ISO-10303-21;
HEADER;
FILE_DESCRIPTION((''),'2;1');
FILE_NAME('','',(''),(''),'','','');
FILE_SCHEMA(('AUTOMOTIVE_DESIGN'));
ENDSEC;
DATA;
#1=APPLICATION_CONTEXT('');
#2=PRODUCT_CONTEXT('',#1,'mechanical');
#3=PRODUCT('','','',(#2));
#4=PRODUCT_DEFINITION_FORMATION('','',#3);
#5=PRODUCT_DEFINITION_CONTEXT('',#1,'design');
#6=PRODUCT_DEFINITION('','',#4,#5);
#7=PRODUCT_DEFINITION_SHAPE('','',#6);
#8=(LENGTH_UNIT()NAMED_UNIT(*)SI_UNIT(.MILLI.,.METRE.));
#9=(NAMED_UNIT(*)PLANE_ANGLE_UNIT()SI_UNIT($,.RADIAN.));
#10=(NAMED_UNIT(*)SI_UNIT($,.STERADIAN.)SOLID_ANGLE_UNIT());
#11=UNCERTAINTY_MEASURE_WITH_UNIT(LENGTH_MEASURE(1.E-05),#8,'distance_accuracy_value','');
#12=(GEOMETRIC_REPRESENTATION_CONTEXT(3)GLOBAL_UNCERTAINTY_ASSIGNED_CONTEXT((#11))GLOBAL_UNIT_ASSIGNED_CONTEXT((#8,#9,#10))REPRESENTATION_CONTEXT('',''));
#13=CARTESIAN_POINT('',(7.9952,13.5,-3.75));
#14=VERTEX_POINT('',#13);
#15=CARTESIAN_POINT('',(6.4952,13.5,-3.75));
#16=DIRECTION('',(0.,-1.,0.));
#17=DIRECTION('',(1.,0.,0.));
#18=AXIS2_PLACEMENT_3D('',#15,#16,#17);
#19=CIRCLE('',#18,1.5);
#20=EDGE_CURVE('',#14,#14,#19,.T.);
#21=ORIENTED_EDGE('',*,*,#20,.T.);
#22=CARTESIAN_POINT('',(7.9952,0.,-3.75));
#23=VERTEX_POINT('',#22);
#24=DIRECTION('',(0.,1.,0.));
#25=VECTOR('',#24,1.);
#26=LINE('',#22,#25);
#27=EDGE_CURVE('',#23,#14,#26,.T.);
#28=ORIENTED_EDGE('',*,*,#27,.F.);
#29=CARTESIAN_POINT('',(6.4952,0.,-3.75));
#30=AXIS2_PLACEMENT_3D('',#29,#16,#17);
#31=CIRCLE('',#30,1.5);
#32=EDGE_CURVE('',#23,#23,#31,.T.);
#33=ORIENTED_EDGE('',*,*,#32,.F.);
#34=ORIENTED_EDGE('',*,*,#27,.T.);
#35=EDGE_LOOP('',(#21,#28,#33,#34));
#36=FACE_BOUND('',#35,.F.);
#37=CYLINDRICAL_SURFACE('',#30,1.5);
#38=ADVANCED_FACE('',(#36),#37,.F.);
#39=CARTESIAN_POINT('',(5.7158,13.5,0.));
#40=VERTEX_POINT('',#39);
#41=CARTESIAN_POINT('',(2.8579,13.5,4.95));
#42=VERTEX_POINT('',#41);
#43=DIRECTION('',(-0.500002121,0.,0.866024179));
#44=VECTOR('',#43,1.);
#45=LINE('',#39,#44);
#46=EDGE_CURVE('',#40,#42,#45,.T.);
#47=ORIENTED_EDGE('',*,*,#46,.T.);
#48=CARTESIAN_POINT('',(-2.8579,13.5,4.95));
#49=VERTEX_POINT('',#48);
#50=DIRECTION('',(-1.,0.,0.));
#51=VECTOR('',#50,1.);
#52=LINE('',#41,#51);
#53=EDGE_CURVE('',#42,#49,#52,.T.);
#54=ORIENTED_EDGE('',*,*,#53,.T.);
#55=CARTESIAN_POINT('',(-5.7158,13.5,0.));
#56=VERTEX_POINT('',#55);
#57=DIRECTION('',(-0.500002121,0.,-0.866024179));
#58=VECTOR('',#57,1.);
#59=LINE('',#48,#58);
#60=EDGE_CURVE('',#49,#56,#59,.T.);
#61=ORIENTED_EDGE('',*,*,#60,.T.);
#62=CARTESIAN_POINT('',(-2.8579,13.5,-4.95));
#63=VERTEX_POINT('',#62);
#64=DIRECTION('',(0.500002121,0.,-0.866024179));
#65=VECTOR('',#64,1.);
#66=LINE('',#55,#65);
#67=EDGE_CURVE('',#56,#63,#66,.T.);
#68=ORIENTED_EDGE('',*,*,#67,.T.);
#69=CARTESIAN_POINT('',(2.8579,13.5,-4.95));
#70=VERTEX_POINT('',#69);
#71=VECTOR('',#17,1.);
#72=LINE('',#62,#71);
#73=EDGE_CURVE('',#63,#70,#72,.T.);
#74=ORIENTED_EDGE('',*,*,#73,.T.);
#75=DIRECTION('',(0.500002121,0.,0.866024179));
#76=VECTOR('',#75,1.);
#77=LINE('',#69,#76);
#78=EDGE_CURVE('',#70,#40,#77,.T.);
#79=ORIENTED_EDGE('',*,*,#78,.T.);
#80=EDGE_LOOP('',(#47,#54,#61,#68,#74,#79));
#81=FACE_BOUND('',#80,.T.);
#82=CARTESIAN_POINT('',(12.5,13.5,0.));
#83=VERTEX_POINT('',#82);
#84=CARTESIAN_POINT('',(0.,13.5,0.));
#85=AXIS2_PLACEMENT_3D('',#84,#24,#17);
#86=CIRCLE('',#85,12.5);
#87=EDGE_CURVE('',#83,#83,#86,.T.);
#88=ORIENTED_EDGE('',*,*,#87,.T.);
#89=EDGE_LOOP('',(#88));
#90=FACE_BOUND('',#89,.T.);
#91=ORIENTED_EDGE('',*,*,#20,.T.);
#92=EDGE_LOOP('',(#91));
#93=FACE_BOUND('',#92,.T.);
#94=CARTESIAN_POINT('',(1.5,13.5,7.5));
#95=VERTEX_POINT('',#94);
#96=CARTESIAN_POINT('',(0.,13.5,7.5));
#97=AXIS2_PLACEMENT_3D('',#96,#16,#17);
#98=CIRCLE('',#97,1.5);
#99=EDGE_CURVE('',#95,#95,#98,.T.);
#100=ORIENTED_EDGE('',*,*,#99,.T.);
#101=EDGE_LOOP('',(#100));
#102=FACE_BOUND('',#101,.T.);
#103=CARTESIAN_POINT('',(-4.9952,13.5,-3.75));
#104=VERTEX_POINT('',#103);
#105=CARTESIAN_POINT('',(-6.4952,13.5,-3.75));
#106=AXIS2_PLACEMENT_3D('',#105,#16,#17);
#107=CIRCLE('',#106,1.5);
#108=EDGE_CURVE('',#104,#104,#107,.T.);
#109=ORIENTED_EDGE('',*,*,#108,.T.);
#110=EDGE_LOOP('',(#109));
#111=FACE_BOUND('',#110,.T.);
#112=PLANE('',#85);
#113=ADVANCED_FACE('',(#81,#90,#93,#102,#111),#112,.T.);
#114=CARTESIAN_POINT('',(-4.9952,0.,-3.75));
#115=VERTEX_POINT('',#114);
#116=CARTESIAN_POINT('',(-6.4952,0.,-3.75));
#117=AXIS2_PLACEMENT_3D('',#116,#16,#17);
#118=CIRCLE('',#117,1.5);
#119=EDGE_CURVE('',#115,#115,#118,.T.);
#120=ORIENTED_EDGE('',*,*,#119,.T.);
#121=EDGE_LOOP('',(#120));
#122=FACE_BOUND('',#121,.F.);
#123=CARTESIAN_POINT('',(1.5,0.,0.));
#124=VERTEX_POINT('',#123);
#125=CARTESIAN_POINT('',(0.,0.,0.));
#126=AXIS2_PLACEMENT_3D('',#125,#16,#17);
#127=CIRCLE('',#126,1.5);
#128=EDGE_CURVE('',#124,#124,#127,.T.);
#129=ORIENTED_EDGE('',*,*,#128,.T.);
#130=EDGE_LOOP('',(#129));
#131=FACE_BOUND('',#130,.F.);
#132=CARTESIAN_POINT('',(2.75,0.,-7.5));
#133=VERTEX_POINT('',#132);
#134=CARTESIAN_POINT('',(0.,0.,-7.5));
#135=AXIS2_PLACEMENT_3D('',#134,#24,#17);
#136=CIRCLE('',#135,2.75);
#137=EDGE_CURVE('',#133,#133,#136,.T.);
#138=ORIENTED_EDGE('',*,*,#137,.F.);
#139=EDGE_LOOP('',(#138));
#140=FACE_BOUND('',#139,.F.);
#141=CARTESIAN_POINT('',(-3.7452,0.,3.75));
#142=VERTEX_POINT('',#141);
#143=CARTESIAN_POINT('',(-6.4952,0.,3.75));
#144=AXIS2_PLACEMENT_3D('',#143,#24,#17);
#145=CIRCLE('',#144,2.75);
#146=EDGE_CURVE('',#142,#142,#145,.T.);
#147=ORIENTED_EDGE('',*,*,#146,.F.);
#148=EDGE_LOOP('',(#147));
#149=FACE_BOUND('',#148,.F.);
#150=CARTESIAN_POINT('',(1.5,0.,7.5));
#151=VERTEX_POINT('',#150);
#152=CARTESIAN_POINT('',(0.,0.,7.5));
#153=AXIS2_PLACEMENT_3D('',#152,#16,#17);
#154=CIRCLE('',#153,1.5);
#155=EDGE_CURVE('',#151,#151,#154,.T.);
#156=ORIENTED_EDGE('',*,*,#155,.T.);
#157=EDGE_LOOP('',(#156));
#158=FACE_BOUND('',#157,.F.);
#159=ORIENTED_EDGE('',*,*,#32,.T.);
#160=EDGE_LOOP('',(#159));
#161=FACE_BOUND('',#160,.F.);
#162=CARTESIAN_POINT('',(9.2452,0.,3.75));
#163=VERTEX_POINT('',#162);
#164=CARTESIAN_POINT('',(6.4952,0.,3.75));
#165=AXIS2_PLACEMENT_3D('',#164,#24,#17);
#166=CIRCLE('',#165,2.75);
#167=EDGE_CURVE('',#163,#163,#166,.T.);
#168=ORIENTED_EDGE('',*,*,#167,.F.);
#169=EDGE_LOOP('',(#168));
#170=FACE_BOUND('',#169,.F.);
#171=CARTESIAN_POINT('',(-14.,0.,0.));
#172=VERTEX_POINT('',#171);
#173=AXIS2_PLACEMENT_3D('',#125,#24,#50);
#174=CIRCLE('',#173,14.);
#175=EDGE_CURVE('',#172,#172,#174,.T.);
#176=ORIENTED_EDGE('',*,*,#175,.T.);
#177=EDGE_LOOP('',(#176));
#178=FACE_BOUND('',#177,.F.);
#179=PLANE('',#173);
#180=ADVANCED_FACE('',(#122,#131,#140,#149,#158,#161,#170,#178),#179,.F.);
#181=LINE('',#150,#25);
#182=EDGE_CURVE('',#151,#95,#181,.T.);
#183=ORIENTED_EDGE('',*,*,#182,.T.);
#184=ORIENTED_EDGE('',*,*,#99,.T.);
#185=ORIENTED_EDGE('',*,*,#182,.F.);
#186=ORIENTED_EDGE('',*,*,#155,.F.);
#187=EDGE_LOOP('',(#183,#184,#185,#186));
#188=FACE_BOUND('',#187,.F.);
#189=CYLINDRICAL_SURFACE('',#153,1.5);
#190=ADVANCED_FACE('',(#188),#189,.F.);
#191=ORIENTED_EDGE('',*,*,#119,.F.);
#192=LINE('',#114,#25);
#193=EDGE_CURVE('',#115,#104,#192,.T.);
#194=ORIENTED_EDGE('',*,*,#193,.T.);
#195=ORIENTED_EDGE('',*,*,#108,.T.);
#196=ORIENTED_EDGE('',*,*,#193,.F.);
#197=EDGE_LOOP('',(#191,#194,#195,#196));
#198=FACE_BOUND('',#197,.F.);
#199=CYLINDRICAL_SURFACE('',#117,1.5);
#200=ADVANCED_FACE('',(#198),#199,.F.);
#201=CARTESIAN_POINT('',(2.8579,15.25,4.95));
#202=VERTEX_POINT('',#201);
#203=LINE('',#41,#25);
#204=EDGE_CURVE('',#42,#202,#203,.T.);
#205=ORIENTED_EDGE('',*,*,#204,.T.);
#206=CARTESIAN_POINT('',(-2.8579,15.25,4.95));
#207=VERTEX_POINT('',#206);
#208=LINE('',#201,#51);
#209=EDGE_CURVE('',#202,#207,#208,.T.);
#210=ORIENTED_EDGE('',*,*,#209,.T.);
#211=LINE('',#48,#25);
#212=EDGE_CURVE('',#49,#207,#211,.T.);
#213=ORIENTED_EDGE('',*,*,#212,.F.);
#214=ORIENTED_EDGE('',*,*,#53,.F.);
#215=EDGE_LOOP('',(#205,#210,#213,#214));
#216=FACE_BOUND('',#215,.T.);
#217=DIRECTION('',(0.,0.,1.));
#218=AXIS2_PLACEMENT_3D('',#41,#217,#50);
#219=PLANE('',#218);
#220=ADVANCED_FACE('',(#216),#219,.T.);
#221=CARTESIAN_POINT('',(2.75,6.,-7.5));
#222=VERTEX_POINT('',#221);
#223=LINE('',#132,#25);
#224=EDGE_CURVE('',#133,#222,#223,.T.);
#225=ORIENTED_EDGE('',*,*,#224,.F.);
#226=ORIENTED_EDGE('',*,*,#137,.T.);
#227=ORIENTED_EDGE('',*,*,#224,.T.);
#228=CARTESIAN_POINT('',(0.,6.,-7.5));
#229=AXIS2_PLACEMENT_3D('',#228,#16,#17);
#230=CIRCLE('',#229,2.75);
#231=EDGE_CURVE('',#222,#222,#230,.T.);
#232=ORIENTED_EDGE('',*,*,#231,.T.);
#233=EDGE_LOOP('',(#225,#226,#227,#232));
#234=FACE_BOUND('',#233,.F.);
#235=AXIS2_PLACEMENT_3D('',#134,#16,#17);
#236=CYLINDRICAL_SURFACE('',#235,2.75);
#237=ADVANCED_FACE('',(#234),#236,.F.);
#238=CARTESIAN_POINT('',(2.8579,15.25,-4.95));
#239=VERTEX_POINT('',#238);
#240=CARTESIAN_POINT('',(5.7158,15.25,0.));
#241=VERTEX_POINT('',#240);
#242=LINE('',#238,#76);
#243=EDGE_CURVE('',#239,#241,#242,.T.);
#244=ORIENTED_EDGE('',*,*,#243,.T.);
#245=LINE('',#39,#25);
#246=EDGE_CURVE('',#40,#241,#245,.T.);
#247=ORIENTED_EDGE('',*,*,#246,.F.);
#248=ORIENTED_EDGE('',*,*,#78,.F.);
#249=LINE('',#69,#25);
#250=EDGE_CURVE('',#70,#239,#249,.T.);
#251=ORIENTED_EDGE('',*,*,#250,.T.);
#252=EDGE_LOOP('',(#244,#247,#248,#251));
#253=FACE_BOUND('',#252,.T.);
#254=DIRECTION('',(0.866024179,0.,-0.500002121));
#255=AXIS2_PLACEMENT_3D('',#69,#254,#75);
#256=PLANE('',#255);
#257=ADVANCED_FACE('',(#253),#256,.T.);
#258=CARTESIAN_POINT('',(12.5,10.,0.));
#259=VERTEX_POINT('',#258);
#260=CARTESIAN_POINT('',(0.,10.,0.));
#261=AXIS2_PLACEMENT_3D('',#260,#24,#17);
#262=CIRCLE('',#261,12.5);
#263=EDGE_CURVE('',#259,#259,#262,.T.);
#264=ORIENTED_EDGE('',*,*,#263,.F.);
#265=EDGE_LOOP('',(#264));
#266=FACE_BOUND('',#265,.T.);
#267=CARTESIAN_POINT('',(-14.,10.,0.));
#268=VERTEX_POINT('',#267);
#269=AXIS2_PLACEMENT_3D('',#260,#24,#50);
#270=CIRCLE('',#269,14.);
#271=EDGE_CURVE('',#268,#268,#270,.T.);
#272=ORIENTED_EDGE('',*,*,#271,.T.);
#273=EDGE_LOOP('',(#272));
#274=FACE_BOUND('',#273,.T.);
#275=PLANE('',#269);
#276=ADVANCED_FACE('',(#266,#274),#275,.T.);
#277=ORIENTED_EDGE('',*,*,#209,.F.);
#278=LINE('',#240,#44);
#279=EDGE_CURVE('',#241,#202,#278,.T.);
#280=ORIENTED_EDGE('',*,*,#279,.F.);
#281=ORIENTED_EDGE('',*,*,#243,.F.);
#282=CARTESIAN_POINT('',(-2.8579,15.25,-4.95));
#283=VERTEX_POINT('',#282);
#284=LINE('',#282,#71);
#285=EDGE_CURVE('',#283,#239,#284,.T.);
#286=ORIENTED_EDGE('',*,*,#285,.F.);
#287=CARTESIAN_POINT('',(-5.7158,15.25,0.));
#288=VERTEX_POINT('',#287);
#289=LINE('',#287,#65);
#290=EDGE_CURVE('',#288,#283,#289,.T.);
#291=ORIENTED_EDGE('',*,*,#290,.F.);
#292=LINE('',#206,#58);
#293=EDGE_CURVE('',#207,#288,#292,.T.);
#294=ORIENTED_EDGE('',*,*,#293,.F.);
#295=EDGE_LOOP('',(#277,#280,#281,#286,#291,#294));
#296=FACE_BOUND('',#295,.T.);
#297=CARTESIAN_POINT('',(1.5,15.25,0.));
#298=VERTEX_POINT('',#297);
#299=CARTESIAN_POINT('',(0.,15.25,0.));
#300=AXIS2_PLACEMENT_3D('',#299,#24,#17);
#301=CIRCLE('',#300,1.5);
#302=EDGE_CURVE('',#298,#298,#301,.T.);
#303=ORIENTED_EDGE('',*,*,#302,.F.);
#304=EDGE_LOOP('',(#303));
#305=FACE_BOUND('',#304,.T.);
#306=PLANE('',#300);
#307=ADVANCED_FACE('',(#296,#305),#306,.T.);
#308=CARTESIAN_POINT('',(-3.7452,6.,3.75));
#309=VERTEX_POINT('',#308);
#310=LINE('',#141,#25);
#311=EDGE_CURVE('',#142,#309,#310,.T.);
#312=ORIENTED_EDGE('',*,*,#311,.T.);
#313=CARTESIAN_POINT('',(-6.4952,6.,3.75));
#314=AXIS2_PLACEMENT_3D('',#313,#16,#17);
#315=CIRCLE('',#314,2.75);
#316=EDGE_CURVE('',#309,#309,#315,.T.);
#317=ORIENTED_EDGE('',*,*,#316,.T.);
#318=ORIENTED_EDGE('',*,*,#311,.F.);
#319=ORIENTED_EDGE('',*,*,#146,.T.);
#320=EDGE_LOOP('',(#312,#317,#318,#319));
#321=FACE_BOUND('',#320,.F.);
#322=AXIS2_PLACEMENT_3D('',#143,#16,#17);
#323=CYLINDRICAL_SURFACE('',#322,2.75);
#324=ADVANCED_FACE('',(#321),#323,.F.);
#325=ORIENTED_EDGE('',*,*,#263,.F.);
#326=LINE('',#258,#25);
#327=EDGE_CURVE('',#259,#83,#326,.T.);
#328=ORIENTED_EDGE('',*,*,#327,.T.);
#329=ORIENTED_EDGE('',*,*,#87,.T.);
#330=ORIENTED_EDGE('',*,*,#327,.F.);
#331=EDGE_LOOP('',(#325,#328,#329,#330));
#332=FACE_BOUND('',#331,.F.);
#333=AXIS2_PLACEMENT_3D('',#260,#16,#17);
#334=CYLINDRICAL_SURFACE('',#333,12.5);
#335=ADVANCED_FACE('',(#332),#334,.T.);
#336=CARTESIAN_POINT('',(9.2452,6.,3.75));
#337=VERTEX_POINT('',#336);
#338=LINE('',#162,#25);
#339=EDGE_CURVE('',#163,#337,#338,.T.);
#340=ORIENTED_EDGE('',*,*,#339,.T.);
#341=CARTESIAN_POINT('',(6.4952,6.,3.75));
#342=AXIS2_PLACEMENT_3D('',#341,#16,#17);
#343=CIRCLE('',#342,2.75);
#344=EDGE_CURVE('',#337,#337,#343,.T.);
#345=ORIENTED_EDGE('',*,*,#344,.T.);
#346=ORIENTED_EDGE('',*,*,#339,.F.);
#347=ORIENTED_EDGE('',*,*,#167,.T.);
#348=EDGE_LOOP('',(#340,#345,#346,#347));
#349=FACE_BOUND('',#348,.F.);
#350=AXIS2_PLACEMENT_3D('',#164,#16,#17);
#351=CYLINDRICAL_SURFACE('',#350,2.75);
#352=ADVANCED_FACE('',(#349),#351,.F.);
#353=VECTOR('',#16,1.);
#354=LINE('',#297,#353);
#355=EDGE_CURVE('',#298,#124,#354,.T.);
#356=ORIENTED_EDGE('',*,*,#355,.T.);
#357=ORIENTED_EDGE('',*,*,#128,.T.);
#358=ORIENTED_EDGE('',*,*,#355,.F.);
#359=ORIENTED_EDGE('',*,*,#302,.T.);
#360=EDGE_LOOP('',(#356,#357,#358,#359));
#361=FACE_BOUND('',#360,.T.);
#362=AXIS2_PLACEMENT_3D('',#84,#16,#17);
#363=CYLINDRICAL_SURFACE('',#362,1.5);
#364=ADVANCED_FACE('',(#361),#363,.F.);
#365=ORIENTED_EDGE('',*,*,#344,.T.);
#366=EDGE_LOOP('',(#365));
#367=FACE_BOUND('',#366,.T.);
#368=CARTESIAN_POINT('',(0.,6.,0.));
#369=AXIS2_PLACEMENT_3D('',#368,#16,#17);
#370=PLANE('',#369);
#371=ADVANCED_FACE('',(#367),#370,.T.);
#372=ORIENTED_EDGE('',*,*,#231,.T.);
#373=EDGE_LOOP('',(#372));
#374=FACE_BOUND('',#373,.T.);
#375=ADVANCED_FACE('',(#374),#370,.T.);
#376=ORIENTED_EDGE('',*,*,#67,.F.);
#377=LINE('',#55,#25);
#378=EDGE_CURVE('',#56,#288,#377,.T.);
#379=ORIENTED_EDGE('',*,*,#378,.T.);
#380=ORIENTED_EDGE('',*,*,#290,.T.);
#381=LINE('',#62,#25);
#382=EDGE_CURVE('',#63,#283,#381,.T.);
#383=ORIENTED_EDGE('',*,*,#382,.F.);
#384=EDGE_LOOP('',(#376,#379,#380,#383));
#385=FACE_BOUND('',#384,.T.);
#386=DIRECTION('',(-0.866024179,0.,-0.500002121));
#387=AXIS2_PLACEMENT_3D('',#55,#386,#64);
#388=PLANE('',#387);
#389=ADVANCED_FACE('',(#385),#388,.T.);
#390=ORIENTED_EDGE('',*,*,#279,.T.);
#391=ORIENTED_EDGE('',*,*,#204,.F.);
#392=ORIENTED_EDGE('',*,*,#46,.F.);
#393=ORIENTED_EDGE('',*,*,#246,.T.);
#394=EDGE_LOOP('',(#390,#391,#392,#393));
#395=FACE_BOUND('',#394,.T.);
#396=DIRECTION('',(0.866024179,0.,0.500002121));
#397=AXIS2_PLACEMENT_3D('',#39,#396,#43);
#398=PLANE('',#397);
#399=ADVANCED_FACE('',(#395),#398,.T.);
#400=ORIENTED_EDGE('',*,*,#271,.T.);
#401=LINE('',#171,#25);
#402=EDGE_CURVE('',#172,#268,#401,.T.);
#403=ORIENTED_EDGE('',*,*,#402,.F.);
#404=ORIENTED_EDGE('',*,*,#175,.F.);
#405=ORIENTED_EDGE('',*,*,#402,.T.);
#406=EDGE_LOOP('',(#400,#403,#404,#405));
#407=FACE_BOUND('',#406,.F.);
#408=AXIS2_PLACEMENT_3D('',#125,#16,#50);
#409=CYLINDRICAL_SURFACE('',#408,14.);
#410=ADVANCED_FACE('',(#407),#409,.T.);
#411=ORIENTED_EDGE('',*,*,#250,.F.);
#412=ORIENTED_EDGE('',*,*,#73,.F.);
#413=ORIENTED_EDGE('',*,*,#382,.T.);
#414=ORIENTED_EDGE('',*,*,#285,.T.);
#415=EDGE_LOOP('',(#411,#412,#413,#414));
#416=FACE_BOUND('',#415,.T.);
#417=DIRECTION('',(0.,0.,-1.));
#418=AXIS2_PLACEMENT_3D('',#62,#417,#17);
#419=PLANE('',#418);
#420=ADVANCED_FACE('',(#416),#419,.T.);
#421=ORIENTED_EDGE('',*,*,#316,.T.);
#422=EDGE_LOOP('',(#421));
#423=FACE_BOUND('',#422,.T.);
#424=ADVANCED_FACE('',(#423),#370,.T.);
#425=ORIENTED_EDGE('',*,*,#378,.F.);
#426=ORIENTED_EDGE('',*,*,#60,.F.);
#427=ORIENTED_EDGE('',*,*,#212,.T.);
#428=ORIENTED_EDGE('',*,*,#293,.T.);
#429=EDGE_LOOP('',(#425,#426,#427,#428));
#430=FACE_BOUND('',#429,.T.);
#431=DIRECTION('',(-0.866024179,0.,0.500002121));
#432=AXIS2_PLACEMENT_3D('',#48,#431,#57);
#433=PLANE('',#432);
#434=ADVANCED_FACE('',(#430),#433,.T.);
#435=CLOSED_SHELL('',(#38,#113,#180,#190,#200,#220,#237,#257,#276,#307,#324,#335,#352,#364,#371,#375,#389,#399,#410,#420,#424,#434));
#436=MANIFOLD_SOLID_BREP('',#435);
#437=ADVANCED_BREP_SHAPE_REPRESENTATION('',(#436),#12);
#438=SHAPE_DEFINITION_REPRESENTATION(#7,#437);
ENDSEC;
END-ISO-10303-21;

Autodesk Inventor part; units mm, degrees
ref_plane "YZ Plane" through (0, 0, 0) normal (1, 0, 0) x (0, 1, 0)
ref_plane "XZ Plane" through (0, 0, 0) normal (0, 1, 0) x (-1, 0, 0)
ref_plane "XY Plane" through (0, 0, 0) normal (0, 0, 1) x (1, 0, 0)
sketch "Sketch1" plane through (0, 0, 0) normal (0, 1, 0) x (-1, 0, 0)
  circle A0 centre (0, 0) radius 14
  dimension "d0" = 28
extrude "Extrusion1" add sketch "Sketch1" along normal blind 10
sketch "Sketch2" plane through (0, 10, 0) normal (0, 1, 0) x (1, 0, 0)
  circle A0 centre (0, 0) radius 12.5
  dimension "d3" = 25
extrude "Extrusion2" add sketch "Sketch2" along normal blind 3.5
sketch "Sketch3" plane through (0, 0, 0) normal (0, -1, 0) x (1, 0, 0)
  circle A0 centre (0, 0) radius 7.5 construction
  circle A1 centre (0, 0) radius 1.5
  circle A2 centre (0, 7.5) radius 1.5
  circle A3 centre (-6.4952, 3.75) radius 1.5
  circle A4 centre (-6.4952, -3.75) radius 1.5
  circle A5 centre (0, -7.5) radius 1.5
  circle A6 centre (6.4952, -3.75) radius 1.5
  circle A7 centre (6.4952, 3.75) radius 1.5
  dimension "d6" = 15
  dimension "d7" = 3
  dimension "d8" = 3
  dimension "d11" = 360
extrude "Extrusion3" cut sketch "Sketch3" against normal through all contours A1 | A2 | A4 | A6
sketch "Sketch4" plane through (0, 0, 0) normal (0, -1, 0) x (1, 0, 0)
  circle A0 centre (0, 0) radius 7.5
  circle A1 centre (0, -7.5) radius 2.75
  circle A2 centre (0, 0) radius 7.5
  circle A3 centre (6.4952, -3.75) radius 2.75
  circle A4 centre (0, 0) radius 7.5
  circle A5 centre (6.4952, 3.75) radius 2.75
  circle A6 centre (0, 0) radius 7.5
  circle A7 centre (0, 7.5) radius 2.75
  circle A8 centre (0, 0) radius 7.5
  circle A9 centre (-6.4952, 3.75) radius 2.75
  circle A10 centre (0, 0) radius 7.5
  circle A11 centre (-6.4952, -3.75) radius 2.75
  dimension "d15" = 15
  dimension "d16" = 5.5
  dimension "d19" = 360
extrude "Extrusion4" cut sketch "Sketch4" against normal blind 6 contours A5 A0 | A0 A5 | A1 A0 | A0 A1 | A9 A0 | A0 A9
sketch "Sketch5" plane through (0, 13.5, 0) normal (0, 1, 0) x (1, 0, 0)
  line L0 (-2.8579, -4.95) -> (-5.7158, 0)
  line L1 (-5.7158, 0) -> (-2.8579, 4.95)
  line L2 (-2.8579, 4.95) -> (2.8579, 4.95)
  line L3 (2.8579, 4.95) -> (5.7158, 0)
  line L4 (5.7158, 0) -> (2.8579, -4.95)
  line L5 (2.8579, -4.95) -> (-2.8579, -4.95)
  circle A0 centre (0, 0) radius 1.5
  dimension "d23" = 9.9
  dimension "d29" = 3
extrude "Extrusion5" add sketch "Sketch5" along normal blind 1.75
properties part number "Shaft1_Joint1" material "ABS Plastic"
